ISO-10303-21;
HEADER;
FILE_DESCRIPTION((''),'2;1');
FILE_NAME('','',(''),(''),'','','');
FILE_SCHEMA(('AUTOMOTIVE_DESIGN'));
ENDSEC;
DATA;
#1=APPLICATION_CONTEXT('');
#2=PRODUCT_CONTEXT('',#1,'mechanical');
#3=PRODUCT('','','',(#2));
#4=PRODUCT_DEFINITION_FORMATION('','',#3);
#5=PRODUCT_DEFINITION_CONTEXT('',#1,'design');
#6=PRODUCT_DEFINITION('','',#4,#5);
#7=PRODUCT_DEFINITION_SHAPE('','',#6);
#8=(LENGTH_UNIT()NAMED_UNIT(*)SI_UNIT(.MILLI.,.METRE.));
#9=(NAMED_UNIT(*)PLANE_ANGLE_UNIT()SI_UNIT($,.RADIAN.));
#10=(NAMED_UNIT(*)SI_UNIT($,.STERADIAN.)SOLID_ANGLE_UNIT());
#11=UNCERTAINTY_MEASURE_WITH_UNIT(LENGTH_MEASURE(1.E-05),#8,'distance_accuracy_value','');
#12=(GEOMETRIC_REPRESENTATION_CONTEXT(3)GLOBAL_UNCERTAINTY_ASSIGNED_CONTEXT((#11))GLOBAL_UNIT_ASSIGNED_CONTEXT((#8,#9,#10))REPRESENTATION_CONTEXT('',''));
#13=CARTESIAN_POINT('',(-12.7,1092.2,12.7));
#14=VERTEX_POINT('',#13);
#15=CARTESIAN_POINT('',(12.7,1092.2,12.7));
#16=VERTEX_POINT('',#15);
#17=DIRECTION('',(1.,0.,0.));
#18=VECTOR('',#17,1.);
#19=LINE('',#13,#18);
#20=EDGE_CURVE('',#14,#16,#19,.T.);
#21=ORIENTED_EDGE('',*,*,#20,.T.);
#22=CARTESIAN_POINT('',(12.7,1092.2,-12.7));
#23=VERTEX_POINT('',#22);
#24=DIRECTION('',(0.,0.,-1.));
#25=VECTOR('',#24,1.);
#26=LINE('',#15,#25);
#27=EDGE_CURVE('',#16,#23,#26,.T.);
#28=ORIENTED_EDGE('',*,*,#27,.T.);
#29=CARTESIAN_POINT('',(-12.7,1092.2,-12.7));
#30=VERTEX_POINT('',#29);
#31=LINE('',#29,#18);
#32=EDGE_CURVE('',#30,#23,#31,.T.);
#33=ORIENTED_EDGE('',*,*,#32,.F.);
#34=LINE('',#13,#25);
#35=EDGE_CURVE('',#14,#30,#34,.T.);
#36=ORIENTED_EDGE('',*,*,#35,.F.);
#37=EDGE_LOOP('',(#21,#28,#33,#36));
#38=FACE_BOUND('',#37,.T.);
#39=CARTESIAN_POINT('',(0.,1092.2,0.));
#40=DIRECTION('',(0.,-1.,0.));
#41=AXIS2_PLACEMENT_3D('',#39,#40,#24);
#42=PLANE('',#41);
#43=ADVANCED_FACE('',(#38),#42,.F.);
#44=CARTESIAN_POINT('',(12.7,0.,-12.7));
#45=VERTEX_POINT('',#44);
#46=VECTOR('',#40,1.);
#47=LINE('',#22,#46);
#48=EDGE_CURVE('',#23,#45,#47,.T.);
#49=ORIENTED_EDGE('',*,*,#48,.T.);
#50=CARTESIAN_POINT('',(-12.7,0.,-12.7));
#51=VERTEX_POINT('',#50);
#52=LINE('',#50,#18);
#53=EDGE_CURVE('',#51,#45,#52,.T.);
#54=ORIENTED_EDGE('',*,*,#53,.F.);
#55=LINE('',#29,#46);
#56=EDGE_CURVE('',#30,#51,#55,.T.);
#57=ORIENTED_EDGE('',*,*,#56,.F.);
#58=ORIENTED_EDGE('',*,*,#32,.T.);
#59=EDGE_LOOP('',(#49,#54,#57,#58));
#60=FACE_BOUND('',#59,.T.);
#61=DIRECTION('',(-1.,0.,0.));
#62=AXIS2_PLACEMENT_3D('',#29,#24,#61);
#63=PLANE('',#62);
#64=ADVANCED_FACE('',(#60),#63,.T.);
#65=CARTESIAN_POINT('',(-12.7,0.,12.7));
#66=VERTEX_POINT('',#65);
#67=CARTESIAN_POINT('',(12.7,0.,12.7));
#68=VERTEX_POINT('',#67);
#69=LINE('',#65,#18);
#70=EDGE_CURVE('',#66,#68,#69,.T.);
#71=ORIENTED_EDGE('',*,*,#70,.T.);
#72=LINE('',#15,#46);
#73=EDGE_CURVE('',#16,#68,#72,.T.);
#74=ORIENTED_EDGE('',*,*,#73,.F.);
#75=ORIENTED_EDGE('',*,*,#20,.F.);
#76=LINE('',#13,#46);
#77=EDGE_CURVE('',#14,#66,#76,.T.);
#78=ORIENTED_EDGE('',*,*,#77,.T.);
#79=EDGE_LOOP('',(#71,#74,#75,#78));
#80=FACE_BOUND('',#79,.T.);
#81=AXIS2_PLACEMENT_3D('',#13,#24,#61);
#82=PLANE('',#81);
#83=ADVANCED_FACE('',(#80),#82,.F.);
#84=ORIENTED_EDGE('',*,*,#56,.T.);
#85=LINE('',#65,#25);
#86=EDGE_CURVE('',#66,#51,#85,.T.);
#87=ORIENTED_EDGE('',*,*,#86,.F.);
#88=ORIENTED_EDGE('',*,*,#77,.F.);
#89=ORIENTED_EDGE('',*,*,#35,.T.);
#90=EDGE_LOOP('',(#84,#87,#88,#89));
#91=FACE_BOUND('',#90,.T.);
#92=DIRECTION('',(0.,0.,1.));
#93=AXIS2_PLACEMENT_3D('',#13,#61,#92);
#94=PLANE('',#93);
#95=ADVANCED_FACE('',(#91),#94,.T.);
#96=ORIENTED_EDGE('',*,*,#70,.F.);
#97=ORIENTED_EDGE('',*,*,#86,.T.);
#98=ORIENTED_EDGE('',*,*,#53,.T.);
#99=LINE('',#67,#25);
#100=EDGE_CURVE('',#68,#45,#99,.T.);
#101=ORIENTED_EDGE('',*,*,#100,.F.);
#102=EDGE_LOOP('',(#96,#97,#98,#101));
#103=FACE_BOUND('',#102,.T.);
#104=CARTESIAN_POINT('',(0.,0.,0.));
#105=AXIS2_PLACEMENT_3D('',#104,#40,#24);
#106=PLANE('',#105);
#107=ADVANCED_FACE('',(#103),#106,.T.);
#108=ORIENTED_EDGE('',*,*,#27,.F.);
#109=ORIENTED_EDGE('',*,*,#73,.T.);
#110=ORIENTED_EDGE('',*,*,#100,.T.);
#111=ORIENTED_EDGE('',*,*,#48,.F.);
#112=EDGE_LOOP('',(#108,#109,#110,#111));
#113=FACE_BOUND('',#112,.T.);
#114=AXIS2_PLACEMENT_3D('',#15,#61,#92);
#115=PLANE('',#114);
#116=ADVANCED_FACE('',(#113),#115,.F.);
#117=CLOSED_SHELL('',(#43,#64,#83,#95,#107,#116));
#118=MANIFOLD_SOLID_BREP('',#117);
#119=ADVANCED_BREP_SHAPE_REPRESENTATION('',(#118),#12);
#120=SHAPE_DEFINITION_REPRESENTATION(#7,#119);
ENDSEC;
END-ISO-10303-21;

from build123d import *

# Parameters (mm, degrees)
SKETCH1_W           = 25.4
SKETCH1_H           = 25.4
BOSS_EXTRUDE1_DEPTH = 1092.2


with BuildPart() as part:
    # Sketch1 → Boss-Extrude1 (new body)
    with BuildSketch(Plane(origin=(0, 0, 0), x_dir=(1, 0, 0), z_dir=(0, 1, 0))):
        Rectangle(SKETCH1_W, SKETCH1_H)
    extrude(amount=BOSS_EXTRUDE1_DEPTH)


solid = part.part
